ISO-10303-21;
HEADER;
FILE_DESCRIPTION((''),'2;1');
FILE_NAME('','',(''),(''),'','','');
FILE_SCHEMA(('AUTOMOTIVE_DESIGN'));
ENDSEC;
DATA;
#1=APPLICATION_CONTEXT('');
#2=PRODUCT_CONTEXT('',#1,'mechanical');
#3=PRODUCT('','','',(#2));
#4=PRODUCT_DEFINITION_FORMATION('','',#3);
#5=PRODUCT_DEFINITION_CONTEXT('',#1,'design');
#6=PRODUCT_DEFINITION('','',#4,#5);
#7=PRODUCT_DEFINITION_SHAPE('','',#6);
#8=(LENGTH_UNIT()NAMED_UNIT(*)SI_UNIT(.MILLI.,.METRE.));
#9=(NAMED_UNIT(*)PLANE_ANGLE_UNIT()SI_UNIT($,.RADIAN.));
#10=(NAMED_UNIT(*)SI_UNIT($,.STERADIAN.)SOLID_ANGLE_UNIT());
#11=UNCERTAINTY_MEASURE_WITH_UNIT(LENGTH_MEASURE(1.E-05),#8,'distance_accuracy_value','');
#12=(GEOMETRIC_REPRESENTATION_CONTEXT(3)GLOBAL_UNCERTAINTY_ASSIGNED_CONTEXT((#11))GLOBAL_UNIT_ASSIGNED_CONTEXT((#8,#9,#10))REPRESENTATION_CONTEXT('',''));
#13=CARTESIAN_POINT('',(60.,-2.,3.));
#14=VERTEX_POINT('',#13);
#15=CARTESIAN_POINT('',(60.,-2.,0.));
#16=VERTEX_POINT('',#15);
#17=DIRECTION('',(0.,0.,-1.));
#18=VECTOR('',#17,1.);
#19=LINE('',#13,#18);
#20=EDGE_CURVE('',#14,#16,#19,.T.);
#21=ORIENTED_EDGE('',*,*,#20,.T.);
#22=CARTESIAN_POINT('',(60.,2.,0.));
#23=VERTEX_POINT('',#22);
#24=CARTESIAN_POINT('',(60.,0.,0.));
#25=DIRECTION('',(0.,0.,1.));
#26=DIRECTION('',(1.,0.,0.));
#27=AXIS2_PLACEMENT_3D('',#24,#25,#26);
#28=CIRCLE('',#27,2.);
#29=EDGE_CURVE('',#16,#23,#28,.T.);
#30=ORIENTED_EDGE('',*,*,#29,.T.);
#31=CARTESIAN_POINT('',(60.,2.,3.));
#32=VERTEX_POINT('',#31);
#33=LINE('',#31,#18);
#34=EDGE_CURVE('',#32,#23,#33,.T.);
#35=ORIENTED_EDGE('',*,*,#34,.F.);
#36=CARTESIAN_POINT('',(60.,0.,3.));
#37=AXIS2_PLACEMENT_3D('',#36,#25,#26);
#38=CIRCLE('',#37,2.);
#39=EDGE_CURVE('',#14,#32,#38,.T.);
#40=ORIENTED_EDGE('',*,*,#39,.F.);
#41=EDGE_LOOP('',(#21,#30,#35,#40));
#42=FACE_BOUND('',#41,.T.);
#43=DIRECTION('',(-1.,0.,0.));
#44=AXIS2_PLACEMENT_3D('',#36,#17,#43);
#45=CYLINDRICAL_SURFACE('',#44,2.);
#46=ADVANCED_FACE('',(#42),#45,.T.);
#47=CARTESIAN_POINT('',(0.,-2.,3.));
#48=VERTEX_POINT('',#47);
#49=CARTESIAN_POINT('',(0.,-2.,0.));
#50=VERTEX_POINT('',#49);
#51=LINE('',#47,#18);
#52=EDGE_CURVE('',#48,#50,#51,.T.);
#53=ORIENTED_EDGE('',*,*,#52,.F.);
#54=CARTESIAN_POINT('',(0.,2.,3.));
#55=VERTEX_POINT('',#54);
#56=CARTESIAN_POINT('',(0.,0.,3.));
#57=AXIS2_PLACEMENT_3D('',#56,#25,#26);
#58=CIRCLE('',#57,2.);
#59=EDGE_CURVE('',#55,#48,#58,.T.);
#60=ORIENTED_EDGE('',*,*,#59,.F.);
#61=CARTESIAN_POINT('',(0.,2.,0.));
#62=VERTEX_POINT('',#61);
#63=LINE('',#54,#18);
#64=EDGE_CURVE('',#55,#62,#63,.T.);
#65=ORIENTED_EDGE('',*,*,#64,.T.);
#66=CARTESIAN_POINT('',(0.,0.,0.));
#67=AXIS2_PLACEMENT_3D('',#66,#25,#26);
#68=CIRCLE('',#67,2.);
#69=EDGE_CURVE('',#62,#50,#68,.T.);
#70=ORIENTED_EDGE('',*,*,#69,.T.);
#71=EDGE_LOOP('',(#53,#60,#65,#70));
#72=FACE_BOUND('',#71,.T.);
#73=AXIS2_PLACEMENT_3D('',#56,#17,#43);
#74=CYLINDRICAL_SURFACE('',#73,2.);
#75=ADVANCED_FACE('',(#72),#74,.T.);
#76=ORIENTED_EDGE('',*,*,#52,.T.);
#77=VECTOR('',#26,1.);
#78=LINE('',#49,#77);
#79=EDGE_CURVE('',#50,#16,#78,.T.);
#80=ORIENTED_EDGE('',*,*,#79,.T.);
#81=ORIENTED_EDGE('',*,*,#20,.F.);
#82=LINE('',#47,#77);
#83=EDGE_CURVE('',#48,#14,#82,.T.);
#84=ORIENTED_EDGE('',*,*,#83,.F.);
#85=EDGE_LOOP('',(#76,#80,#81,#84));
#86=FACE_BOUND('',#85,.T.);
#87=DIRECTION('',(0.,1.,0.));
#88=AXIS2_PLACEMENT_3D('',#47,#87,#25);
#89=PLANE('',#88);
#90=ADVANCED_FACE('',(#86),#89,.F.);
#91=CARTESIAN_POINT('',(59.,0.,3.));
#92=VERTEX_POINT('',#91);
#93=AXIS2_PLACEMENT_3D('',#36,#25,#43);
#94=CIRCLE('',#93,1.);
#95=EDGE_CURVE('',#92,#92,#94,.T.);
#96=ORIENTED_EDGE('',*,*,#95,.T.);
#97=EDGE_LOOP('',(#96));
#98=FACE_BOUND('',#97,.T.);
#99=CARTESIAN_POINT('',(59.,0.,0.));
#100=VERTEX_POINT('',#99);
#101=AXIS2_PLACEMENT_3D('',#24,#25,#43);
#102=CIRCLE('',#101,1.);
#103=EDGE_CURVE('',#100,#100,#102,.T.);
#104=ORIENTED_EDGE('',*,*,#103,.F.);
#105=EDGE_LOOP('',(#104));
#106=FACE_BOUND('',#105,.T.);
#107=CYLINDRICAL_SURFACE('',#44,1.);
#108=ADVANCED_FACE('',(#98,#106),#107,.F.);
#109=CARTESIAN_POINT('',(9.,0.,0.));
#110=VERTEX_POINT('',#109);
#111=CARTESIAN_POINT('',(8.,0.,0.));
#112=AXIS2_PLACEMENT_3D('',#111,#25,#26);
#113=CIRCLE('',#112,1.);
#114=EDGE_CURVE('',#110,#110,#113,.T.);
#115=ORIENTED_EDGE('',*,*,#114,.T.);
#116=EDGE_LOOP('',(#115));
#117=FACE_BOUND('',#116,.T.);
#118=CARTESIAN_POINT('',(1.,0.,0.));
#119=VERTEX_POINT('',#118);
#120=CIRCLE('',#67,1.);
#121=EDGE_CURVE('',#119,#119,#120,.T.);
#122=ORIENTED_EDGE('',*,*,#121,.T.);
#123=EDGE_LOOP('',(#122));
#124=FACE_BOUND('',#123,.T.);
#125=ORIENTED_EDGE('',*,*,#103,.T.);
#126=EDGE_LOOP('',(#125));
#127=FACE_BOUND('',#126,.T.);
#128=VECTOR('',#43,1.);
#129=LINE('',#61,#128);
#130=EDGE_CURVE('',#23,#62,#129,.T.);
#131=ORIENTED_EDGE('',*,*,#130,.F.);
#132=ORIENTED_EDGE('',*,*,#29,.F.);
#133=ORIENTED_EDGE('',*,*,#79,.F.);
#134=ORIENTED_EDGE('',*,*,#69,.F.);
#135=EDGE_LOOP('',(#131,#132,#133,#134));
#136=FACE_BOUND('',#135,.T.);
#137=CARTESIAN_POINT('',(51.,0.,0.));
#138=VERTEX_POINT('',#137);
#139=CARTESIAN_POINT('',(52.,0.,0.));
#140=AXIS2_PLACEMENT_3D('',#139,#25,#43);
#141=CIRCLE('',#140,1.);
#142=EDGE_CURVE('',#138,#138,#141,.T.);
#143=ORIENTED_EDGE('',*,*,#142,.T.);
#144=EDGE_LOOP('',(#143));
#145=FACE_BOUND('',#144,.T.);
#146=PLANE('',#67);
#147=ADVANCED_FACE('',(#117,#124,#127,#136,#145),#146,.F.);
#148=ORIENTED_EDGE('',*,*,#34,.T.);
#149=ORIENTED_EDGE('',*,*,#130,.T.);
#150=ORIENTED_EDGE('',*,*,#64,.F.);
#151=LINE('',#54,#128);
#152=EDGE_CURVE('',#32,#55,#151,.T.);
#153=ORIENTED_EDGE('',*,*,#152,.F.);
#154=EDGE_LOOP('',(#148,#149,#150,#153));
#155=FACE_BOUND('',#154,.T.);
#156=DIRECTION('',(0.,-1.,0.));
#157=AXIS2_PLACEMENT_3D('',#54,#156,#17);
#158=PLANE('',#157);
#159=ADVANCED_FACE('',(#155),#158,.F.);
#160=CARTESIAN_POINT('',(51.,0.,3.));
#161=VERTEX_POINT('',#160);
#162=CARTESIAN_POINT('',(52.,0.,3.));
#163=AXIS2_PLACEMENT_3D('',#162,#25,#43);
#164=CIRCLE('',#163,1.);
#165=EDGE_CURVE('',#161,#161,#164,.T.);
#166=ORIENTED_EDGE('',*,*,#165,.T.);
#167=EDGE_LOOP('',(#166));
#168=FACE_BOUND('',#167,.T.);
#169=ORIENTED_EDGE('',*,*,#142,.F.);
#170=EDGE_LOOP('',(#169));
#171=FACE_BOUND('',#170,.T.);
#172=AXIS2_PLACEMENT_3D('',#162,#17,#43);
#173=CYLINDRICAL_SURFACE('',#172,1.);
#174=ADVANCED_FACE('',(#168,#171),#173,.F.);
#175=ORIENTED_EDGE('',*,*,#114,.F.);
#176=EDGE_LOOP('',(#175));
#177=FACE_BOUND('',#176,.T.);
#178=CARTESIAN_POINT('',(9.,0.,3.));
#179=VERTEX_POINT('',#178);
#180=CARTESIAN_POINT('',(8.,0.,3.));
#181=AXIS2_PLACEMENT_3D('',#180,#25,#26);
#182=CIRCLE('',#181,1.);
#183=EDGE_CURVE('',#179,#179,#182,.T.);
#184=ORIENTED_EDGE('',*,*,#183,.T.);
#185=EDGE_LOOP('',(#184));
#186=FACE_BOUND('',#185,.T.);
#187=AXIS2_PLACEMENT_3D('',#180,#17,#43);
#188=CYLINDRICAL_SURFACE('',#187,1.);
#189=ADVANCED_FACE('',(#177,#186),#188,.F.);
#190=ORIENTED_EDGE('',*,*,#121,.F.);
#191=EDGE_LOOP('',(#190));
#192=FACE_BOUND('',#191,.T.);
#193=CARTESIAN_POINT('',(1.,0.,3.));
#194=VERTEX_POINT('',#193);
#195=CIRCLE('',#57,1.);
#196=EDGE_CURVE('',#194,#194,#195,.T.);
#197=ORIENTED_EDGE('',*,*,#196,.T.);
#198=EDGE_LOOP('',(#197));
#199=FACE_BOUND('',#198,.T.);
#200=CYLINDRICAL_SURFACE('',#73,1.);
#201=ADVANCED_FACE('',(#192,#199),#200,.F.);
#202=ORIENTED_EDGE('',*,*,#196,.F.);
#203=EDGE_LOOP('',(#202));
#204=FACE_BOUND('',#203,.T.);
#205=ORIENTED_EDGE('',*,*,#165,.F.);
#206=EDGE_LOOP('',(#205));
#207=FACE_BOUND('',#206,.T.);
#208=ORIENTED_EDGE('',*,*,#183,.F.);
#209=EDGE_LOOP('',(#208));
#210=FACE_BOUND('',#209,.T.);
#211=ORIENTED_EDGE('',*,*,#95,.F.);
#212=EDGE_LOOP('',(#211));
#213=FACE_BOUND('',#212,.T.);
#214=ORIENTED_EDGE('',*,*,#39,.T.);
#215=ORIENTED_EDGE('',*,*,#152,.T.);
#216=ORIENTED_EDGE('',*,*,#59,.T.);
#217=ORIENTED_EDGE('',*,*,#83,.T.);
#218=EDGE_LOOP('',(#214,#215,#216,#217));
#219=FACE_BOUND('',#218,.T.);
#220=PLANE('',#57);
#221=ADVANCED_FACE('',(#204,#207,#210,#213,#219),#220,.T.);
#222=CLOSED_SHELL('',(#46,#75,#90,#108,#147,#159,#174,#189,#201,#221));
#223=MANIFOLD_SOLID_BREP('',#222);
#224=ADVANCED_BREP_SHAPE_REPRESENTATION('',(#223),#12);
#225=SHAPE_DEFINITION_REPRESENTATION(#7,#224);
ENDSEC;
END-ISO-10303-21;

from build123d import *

# Parameters (mm, degrees)
SKETCH1_R           = 1
BOSS_EXTRUDE1_DEPTH = 3


with BuildPart() as part:
    # Sketch1 → Boss-Extrude1 (new body)
    with BuildSketch(Plane.XY):
        with BuildLine():
            Line((0, 2), (60, 2))
            ThreePointArc((60, 2), (62, 0), (60, -2))
            Line((60, -2), (0, -2))
            ThreePointArc((0, -2), (-2, 0), (0, 2))
        make_face()
        Circle(SKETCH1_R, mode=Mode.SUBTRACT)
        with Locations((8, 0)):
            Circle(SKETCH1_R, mode=Mode.SUBTRACT)
        with Locations(Location((52, 0, 0), (0, 0, 180))):
            Circle(SKETCH1_R, mode=Mode.SUBTRACT)
        with Locations(Location((60, 0, 0), (0, 0, 180))):
            Circle(SKETCH1_R, mode=Mode.SUBTRACT)
    extrude(amount=BOSS_EXTRUDE1_DEPTH)


solid = part.part
